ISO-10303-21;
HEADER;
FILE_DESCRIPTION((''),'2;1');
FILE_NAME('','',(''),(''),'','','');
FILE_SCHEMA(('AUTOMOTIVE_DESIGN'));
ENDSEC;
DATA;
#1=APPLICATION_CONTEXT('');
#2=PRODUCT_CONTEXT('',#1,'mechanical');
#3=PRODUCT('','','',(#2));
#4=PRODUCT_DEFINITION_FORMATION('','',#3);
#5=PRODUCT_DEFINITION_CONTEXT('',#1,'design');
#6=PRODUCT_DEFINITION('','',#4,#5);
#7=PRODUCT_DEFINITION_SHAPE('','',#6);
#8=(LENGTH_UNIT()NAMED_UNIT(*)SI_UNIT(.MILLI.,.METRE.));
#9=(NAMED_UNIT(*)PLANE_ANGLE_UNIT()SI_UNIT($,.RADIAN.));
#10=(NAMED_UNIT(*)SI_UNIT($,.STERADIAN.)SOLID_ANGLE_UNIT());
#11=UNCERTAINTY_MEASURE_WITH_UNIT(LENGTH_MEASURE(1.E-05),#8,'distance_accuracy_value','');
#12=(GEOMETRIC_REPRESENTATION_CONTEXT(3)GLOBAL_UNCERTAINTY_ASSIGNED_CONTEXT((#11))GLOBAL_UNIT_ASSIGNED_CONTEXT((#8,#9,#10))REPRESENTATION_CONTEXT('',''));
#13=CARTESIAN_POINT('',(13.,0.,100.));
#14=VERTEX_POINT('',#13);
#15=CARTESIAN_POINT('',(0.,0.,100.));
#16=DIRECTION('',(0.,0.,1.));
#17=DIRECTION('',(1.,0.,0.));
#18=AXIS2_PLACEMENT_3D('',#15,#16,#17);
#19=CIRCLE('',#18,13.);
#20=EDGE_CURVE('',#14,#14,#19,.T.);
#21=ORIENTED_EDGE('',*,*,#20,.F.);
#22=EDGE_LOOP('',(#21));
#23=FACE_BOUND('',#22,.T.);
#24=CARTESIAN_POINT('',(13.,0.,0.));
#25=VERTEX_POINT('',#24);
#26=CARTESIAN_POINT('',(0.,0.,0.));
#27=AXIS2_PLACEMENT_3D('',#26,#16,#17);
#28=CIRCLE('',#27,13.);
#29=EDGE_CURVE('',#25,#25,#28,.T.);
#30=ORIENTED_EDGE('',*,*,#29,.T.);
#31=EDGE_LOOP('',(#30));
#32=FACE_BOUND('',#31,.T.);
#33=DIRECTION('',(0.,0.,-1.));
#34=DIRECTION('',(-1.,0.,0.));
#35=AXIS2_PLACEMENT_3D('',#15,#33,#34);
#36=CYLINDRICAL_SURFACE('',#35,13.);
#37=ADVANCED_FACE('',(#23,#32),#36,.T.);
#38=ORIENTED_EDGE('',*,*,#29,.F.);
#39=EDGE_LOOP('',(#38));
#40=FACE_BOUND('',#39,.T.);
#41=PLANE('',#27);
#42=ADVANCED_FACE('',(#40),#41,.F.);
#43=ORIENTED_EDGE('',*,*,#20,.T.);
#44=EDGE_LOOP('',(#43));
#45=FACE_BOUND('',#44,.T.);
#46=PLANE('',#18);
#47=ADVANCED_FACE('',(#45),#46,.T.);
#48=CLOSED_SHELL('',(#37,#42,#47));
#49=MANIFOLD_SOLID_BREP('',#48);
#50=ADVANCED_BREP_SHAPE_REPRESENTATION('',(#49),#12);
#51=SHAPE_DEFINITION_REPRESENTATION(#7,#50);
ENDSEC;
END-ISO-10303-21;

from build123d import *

# Parameters (mm, degrees)
IZIM1_R                     = 13
Y_KSEKLIK_EKSTR_ZYON1_DEPTH = 100


with BuildPart() as part:
    # Çizim1 → Yükseklik-Ekstrüzyon1 (new body)
    with BuildSketch(Plane.XY):
        Circle(IZIM1_R)
    extrude(amount=Y_KSEKLIK_EKSTR_ZYON1_DEPTH)


solid = part.part
